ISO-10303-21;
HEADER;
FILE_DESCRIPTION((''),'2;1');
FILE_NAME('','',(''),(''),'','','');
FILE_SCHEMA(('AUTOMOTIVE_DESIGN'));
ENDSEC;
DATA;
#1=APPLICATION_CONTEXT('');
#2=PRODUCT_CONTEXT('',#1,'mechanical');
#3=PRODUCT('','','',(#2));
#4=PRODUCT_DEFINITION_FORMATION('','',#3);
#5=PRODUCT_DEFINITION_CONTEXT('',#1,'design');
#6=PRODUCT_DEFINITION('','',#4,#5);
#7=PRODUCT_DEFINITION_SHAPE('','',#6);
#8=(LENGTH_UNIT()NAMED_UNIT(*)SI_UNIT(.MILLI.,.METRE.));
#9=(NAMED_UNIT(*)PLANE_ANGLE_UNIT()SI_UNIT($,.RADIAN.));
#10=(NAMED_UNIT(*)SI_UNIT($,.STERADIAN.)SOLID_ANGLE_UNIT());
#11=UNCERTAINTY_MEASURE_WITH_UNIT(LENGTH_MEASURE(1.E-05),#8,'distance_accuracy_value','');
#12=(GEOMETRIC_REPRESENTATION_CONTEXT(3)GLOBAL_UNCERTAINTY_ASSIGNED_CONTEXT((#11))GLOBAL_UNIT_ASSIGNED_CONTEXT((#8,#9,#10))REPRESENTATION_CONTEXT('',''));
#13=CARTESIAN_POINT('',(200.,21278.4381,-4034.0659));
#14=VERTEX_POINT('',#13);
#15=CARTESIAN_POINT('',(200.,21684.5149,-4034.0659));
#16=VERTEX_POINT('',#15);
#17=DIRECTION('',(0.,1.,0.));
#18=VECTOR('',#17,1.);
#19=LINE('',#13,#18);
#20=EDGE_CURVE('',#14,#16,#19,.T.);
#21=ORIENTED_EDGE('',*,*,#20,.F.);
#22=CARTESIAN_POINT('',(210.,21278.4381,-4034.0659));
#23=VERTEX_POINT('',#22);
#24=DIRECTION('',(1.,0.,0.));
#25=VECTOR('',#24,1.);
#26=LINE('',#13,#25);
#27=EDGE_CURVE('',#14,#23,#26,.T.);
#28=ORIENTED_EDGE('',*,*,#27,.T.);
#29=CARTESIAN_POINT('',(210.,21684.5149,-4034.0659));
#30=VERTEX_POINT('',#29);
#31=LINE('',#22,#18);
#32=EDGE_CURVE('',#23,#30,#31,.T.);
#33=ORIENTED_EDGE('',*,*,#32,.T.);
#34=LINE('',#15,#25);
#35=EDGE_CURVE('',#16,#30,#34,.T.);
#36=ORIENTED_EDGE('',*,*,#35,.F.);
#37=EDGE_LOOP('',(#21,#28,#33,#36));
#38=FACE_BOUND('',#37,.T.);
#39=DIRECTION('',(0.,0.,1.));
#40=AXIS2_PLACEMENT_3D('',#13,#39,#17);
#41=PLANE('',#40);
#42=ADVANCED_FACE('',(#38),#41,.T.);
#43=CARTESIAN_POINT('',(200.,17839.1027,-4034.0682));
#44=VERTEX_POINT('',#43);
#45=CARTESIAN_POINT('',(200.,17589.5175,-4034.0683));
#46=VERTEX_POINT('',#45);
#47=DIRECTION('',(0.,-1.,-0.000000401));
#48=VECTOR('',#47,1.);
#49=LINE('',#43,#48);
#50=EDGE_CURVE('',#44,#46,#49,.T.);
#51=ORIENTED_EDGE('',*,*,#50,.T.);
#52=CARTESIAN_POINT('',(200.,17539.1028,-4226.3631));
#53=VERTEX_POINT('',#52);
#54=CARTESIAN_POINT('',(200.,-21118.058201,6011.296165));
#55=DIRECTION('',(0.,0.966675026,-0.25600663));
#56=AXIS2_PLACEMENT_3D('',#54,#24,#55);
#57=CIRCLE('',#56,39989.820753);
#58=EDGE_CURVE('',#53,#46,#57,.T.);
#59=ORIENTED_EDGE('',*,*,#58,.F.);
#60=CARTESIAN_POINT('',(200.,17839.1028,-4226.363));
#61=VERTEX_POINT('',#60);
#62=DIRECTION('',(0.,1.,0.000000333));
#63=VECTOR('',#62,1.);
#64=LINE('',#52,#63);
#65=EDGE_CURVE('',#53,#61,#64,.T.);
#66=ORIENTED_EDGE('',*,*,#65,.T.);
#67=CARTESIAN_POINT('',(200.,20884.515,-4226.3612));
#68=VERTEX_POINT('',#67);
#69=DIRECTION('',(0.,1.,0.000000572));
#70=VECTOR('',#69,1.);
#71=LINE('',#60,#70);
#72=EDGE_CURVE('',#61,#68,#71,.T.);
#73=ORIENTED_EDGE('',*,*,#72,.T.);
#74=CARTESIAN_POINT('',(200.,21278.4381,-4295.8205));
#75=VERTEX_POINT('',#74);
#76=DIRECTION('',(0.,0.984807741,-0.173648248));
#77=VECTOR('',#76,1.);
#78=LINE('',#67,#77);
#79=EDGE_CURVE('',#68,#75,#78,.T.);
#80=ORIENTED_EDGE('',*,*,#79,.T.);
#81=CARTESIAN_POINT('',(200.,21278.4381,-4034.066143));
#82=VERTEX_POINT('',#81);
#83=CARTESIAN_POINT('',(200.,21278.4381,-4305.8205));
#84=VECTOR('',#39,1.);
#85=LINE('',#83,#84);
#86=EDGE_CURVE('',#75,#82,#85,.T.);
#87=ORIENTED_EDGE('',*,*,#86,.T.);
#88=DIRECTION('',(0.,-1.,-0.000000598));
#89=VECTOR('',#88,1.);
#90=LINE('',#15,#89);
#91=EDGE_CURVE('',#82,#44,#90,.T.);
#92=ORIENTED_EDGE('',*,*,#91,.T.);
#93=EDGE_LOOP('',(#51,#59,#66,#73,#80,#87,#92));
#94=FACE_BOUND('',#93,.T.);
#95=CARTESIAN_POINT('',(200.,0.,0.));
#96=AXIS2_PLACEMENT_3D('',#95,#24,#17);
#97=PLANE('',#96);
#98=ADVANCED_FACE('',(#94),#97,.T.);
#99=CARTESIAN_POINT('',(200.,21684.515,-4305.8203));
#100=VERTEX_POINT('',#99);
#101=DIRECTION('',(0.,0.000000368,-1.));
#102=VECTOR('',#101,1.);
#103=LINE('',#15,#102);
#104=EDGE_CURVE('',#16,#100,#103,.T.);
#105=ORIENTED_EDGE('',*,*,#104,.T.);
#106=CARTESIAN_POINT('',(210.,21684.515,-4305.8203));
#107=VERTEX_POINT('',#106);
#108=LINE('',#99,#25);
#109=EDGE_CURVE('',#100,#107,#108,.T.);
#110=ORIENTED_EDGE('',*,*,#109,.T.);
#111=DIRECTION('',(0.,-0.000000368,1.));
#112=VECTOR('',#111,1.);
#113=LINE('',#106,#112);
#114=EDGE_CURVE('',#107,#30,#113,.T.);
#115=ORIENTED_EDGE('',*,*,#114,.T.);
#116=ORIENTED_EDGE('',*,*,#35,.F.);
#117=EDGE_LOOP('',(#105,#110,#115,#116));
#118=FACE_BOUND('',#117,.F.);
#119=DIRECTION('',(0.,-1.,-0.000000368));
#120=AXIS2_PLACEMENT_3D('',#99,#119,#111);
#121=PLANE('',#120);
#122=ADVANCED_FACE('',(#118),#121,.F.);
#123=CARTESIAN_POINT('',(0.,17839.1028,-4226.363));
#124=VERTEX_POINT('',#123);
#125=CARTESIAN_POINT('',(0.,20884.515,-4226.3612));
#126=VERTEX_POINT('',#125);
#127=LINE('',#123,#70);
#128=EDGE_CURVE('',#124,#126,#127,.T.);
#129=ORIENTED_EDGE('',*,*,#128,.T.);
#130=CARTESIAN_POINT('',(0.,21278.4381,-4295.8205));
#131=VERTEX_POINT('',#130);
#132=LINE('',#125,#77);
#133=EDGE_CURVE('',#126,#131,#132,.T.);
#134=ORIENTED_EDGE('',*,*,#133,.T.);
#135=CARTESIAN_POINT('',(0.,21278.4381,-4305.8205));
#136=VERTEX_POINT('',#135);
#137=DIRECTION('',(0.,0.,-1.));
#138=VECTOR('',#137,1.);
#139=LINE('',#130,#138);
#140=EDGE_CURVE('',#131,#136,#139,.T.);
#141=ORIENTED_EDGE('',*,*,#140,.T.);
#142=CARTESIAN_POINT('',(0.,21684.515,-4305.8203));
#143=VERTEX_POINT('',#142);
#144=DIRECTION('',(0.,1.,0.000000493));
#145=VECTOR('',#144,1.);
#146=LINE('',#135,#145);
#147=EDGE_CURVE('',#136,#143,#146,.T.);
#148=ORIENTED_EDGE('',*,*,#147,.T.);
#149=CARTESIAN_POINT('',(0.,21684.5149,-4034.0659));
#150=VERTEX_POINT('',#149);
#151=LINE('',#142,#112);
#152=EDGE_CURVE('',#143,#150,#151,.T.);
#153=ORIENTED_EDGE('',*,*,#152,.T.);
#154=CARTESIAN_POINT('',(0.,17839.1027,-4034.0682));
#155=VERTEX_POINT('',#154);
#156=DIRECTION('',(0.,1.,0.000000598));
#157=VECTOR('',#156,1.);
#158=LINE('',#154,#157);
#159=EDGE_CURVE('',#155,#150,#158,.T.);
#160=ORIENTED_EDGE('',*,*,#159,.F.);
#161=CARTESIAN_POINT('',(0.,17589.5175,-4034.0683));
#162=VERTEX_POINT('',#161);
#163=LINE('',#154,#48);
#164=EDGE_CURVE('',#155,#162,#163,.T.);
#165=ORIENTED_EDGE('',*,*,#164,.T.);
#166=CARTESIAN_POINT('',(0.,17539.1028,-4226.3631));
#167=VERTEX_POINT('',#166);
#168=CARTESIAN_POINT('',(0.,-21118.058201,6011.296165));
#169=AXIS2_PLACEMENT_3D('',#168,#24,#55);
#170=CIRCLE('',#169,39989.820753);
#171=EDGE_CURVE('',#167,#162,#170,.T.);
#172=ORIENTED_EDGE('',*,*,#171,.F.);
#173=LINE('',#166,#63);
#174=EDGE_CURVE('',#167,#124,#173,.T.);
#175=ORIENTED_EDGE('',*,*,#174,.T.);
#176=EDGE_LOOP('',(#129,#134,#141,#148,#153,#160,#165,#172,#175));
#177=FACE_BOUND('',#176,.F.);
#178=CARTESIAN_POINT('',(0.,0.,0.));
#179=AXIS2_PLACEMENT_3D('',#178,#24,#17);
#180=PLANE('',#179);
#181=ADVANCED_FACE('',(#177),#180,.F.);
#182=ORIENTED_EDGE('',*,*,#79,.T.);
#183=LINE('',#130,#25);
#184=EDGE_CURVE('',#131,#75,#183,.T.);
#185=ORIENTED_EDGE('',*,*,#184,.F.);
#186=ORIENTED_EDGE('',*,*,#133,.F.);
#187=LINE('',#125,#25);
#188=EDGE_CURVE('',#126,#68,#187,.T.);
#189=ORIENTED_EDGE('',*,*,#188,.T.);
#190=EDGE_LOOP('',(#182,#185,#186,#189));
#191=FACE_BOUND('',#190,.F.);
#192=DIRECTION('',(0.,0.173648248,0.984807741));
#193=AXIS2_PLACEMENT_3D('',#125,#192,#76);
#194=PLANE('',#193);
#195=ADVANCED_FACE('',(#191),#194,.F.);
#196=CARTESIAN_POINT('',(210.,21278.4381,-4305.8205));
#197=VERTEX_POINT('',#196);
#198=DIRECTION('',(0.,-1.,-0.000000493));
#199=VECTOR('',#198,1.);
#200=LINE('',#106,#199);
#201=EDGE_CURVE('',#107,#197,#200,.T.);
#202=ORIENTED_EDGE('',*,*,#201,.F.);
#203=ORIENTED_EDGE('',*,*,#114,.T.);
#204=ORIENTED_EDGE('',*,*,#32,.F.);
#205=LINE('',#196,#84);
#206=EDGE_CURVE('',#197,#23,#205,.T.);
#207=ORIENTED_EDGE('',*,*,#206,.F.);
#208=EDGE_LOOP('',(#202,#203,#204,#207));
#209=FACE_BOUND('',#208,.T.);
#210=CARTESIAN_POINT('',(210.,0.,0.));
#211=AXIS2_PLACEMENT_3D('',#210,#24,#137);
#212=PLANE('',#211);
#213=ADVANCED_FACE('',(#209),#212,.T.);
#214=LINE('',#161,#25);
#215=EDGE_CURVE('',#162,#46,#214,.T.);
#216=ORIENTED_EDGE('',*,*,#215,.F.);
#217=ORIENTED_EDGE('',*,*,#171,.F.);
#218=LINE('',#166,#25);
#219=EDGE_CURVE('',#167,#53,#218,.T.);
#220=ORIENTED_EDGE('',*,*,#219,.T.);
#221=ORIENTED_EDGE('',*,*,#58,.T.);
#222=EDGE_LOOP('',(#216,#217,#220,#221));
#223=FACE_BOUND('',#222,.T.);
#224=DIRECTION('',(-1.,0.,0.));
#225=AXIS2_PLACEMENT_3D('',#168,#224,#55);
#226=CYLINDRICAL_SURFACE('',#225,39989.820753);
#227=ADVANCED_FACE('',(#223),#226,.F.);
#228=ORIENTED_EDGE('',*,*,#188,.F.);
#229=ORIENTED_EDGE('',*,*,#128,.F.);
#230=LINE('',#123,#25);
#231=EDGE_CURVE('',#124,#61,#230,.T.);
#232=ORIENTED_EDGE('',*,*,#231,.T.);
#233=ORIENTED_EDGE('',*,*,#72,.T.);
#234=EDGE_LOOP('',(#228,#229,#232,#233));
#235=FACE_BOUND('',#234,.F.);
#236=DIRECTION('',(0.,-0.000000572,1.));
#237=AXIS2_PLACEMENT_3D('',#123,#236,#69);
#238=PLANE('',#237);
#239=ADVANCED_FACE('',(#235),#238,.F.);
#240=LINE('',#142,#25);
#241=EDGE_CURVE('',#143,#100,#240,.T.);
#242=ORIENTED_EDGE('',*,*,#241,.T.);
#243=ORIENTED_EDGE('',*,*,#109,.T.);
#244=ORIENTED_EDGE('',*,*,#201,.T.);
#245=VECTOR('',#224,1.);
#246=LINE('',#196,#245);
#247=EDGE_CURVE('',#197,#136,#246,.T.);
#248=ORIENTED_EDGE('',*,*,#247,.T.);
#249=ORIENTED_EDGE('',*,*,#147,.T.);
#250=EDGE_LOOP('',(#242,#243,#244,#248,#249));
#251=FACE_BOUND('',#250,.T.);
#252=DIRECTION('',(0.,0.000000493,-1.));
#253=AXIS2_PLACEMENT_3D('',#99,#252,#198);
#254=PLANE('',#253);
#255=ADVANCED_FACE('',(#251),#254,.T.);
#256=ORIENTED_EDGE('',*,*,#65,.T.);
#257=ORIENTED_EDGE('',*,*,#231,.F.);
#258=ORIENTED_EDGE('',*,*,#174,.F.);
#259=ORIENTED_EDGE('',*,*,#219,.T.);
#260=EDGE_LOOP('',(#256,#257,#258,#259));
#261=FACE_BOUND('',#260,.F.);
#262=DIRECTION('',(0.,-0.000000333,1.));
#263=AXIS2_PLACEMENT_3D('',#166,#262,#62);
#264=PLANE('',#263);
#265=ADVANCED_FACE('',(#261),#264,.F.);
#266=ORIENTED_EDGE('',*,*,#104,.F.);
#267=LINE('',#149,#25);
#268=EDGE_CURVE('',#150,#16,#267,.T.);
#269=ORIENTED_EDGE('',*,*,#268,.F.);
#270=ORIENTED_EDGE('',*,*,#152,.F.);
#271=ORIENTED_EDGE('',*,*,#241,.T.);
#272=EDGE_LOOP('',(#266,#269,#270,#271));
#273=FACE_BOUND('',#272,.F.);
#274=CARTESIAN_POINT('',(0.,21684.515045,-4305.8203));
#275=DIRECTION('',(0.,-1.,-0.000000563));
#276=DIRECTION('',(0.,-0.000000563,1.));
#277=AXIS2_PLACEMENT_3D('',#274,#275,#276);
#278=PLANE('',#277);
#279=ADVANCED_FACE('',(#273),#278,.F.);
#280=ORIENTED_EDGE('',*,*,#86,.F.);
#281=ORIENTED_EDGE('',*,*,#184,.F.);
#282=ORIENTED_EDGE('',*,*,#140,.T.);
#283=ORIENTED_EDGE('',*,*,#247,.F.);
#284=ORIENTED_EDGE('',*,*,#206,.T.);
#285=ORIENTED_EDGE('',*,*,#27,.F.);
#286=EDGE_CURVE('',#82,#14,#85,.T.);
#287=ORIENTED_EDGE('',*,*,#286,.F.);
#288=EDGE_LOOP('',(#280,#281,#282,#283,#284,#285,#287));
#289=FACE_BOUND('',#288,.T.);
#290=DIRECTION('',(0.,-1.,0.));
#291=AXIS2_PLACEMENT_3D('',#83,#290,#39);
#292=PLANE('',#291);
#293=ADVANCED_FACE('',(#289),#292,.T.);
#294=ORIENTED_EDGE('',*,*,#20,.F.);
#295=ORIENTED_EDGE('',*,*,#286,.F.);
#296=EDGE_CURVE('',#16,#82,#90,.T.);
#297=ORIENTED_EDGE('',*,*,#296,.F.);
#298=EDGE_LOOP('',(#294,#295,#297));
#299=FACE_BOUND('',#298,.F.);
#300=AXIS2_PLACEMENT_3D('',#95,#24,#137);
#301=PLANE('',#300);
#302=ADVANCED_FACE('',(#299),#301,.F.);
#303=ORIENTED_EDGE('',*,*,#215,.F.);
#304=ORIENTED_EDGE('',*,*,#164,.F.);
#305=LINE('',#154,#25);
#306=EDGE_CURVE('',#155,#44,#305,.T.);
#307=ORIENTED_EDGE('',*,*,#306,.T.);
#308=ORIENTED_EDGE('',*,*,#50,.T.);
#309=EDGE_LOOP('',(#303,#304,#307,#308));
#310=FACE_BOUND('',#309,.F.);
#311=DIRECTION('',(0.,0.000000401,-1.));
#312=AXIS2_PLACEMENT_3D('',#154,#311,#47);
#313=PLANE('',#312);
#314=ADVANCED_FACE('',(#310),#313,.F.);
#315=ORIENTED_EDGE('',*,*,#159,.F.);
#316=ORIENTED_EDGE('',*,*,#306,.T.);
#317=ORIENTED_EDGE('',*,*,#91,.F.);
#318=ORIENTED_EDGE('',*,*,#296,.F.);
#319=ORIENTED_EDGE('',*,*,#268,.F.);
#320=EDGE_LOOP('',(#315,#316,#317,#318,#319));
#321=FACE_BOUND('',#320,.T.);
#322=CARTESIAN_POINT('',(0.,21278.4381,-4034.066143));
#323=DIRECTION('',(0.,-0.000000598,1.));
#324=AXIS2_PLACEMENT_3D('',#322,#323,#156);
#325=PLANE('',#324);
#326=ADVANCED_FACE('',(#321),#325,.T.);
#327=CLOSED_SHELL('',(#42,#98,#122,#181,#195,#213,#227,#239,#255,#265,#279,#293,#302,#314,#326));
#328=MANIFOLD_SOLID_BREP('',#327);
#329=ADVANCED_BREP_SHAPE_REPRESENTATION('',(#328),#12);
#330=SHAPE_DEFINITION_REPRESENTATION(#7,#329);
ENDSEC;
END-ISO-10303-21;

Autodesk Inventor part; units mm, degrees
ref_plane "YZ Plane" through (0, 0, 0) normal (1, 0, 0) x (0, 1, 0)
ref_plane "XZ Plane" through (0, 0, 0) normal (0, 1, 0) x (-1, 0, 0)
ref_plane "XY Plane" through (0, 0, 0) normal (0, 0, 1) x (1, 0, 0)
sketch "Sketch2" plane through (0, 0, 0) normal (1, 0, 0) x (0, 1, 0)
  line L0 (17266.7168, -4180.2603) -> (17266.7177, -4180.2555)
  line L1 (21684.5168, -7422.7726) -> (21684.5142, -2804.0577)
  arc A0 (17539.1028, -4226.3631) -> (17589.5175, -4034.0683) centre (-21127.9015, 6013.8899) ccw
  line L2 (17539.1028, -4226.3631) -> (17839.1028, -4226.363)
  line L3 (17839.1028, -4226.363) -> (17839.1027, -4034.0682)
  line L4 (17839.1027, -4034.0682) -> (17589.5175, -4034.0683)
  line L5 (17839.1027, -4034.0682) -> (21684.5149, -4034.0659)
  line L6 (17839.1028, -4226.363) -> (21684.515, -4226.3608)
  line L7 (20884.515, -4226.3612) -> (21278.4381, -4295.8205)
  line L8 (20884.515, -4226.3612) -> (21284.515, -4226.3612) construction
  line L9 (21278.4381, -4295.8205) -> (21278.4381, -3784.3997)
  line L10 (20884.515, -4034.0664) -> (21278.4381, -3964.6071)
  line L11 (20884.515, -4034.0664) -> (21284.515, -4034.0664) construction
  line L12 (21278.4381, -3964.6071) -> (21278.4381, -3954.6071)
  line L13 (21278.4381, -3954.6071) -> (21684.5148, -3954.6069)
  line L14 (21278.4381, -4295.8205) -> (21278.4381, -4305.8205)
  line L15 (21278.4381, -4305.8205) -> (21684.515, -4305.8203)
  point P0 (0, 0)
  dimension "d0" = 40000
  dimension "d1" = 300
  dimension "d5" = 400
  dimension "d6" = 10
  dimension "d7" = 10
  dimension "d8" = 10
  dimension "d9" = 10
extrude "Extrusion1" add sketch "Sketch2" along normal blind 200 contours L15 L14 L9 L6 L1 | L6 L9 L5 L1 | L9 L7 L6 | L6 L3 L5 L9 | L2 A0 L4 L3
sketch "Sketch3" plane through (200, 0, 0) normal (1, 0, 0) x (0, 0, -1)
  line L0 (4305.8203, 21684.515) -> (4034.0659, 21684.5149) projected
  line L1 (4305.8205, 21278.4381) -> (4034.0659, 21278.4381)
  line L2 (4034.0659, 21278.4381) -> (4034.0659, 21684.5149)
  line L3 (4034.0659, 21684.5149) -> (4305.8205, 21684.5149)
  line L4 (4305.8205, 21684.5149) -> (4305.8205, 21278.4381)
  point P0 (0, 0)
extrude "Extrusion2" add sketch "Sketch3" along normal blind 10
properties part number "side_pillar_02" material "Wood (Maple)"
